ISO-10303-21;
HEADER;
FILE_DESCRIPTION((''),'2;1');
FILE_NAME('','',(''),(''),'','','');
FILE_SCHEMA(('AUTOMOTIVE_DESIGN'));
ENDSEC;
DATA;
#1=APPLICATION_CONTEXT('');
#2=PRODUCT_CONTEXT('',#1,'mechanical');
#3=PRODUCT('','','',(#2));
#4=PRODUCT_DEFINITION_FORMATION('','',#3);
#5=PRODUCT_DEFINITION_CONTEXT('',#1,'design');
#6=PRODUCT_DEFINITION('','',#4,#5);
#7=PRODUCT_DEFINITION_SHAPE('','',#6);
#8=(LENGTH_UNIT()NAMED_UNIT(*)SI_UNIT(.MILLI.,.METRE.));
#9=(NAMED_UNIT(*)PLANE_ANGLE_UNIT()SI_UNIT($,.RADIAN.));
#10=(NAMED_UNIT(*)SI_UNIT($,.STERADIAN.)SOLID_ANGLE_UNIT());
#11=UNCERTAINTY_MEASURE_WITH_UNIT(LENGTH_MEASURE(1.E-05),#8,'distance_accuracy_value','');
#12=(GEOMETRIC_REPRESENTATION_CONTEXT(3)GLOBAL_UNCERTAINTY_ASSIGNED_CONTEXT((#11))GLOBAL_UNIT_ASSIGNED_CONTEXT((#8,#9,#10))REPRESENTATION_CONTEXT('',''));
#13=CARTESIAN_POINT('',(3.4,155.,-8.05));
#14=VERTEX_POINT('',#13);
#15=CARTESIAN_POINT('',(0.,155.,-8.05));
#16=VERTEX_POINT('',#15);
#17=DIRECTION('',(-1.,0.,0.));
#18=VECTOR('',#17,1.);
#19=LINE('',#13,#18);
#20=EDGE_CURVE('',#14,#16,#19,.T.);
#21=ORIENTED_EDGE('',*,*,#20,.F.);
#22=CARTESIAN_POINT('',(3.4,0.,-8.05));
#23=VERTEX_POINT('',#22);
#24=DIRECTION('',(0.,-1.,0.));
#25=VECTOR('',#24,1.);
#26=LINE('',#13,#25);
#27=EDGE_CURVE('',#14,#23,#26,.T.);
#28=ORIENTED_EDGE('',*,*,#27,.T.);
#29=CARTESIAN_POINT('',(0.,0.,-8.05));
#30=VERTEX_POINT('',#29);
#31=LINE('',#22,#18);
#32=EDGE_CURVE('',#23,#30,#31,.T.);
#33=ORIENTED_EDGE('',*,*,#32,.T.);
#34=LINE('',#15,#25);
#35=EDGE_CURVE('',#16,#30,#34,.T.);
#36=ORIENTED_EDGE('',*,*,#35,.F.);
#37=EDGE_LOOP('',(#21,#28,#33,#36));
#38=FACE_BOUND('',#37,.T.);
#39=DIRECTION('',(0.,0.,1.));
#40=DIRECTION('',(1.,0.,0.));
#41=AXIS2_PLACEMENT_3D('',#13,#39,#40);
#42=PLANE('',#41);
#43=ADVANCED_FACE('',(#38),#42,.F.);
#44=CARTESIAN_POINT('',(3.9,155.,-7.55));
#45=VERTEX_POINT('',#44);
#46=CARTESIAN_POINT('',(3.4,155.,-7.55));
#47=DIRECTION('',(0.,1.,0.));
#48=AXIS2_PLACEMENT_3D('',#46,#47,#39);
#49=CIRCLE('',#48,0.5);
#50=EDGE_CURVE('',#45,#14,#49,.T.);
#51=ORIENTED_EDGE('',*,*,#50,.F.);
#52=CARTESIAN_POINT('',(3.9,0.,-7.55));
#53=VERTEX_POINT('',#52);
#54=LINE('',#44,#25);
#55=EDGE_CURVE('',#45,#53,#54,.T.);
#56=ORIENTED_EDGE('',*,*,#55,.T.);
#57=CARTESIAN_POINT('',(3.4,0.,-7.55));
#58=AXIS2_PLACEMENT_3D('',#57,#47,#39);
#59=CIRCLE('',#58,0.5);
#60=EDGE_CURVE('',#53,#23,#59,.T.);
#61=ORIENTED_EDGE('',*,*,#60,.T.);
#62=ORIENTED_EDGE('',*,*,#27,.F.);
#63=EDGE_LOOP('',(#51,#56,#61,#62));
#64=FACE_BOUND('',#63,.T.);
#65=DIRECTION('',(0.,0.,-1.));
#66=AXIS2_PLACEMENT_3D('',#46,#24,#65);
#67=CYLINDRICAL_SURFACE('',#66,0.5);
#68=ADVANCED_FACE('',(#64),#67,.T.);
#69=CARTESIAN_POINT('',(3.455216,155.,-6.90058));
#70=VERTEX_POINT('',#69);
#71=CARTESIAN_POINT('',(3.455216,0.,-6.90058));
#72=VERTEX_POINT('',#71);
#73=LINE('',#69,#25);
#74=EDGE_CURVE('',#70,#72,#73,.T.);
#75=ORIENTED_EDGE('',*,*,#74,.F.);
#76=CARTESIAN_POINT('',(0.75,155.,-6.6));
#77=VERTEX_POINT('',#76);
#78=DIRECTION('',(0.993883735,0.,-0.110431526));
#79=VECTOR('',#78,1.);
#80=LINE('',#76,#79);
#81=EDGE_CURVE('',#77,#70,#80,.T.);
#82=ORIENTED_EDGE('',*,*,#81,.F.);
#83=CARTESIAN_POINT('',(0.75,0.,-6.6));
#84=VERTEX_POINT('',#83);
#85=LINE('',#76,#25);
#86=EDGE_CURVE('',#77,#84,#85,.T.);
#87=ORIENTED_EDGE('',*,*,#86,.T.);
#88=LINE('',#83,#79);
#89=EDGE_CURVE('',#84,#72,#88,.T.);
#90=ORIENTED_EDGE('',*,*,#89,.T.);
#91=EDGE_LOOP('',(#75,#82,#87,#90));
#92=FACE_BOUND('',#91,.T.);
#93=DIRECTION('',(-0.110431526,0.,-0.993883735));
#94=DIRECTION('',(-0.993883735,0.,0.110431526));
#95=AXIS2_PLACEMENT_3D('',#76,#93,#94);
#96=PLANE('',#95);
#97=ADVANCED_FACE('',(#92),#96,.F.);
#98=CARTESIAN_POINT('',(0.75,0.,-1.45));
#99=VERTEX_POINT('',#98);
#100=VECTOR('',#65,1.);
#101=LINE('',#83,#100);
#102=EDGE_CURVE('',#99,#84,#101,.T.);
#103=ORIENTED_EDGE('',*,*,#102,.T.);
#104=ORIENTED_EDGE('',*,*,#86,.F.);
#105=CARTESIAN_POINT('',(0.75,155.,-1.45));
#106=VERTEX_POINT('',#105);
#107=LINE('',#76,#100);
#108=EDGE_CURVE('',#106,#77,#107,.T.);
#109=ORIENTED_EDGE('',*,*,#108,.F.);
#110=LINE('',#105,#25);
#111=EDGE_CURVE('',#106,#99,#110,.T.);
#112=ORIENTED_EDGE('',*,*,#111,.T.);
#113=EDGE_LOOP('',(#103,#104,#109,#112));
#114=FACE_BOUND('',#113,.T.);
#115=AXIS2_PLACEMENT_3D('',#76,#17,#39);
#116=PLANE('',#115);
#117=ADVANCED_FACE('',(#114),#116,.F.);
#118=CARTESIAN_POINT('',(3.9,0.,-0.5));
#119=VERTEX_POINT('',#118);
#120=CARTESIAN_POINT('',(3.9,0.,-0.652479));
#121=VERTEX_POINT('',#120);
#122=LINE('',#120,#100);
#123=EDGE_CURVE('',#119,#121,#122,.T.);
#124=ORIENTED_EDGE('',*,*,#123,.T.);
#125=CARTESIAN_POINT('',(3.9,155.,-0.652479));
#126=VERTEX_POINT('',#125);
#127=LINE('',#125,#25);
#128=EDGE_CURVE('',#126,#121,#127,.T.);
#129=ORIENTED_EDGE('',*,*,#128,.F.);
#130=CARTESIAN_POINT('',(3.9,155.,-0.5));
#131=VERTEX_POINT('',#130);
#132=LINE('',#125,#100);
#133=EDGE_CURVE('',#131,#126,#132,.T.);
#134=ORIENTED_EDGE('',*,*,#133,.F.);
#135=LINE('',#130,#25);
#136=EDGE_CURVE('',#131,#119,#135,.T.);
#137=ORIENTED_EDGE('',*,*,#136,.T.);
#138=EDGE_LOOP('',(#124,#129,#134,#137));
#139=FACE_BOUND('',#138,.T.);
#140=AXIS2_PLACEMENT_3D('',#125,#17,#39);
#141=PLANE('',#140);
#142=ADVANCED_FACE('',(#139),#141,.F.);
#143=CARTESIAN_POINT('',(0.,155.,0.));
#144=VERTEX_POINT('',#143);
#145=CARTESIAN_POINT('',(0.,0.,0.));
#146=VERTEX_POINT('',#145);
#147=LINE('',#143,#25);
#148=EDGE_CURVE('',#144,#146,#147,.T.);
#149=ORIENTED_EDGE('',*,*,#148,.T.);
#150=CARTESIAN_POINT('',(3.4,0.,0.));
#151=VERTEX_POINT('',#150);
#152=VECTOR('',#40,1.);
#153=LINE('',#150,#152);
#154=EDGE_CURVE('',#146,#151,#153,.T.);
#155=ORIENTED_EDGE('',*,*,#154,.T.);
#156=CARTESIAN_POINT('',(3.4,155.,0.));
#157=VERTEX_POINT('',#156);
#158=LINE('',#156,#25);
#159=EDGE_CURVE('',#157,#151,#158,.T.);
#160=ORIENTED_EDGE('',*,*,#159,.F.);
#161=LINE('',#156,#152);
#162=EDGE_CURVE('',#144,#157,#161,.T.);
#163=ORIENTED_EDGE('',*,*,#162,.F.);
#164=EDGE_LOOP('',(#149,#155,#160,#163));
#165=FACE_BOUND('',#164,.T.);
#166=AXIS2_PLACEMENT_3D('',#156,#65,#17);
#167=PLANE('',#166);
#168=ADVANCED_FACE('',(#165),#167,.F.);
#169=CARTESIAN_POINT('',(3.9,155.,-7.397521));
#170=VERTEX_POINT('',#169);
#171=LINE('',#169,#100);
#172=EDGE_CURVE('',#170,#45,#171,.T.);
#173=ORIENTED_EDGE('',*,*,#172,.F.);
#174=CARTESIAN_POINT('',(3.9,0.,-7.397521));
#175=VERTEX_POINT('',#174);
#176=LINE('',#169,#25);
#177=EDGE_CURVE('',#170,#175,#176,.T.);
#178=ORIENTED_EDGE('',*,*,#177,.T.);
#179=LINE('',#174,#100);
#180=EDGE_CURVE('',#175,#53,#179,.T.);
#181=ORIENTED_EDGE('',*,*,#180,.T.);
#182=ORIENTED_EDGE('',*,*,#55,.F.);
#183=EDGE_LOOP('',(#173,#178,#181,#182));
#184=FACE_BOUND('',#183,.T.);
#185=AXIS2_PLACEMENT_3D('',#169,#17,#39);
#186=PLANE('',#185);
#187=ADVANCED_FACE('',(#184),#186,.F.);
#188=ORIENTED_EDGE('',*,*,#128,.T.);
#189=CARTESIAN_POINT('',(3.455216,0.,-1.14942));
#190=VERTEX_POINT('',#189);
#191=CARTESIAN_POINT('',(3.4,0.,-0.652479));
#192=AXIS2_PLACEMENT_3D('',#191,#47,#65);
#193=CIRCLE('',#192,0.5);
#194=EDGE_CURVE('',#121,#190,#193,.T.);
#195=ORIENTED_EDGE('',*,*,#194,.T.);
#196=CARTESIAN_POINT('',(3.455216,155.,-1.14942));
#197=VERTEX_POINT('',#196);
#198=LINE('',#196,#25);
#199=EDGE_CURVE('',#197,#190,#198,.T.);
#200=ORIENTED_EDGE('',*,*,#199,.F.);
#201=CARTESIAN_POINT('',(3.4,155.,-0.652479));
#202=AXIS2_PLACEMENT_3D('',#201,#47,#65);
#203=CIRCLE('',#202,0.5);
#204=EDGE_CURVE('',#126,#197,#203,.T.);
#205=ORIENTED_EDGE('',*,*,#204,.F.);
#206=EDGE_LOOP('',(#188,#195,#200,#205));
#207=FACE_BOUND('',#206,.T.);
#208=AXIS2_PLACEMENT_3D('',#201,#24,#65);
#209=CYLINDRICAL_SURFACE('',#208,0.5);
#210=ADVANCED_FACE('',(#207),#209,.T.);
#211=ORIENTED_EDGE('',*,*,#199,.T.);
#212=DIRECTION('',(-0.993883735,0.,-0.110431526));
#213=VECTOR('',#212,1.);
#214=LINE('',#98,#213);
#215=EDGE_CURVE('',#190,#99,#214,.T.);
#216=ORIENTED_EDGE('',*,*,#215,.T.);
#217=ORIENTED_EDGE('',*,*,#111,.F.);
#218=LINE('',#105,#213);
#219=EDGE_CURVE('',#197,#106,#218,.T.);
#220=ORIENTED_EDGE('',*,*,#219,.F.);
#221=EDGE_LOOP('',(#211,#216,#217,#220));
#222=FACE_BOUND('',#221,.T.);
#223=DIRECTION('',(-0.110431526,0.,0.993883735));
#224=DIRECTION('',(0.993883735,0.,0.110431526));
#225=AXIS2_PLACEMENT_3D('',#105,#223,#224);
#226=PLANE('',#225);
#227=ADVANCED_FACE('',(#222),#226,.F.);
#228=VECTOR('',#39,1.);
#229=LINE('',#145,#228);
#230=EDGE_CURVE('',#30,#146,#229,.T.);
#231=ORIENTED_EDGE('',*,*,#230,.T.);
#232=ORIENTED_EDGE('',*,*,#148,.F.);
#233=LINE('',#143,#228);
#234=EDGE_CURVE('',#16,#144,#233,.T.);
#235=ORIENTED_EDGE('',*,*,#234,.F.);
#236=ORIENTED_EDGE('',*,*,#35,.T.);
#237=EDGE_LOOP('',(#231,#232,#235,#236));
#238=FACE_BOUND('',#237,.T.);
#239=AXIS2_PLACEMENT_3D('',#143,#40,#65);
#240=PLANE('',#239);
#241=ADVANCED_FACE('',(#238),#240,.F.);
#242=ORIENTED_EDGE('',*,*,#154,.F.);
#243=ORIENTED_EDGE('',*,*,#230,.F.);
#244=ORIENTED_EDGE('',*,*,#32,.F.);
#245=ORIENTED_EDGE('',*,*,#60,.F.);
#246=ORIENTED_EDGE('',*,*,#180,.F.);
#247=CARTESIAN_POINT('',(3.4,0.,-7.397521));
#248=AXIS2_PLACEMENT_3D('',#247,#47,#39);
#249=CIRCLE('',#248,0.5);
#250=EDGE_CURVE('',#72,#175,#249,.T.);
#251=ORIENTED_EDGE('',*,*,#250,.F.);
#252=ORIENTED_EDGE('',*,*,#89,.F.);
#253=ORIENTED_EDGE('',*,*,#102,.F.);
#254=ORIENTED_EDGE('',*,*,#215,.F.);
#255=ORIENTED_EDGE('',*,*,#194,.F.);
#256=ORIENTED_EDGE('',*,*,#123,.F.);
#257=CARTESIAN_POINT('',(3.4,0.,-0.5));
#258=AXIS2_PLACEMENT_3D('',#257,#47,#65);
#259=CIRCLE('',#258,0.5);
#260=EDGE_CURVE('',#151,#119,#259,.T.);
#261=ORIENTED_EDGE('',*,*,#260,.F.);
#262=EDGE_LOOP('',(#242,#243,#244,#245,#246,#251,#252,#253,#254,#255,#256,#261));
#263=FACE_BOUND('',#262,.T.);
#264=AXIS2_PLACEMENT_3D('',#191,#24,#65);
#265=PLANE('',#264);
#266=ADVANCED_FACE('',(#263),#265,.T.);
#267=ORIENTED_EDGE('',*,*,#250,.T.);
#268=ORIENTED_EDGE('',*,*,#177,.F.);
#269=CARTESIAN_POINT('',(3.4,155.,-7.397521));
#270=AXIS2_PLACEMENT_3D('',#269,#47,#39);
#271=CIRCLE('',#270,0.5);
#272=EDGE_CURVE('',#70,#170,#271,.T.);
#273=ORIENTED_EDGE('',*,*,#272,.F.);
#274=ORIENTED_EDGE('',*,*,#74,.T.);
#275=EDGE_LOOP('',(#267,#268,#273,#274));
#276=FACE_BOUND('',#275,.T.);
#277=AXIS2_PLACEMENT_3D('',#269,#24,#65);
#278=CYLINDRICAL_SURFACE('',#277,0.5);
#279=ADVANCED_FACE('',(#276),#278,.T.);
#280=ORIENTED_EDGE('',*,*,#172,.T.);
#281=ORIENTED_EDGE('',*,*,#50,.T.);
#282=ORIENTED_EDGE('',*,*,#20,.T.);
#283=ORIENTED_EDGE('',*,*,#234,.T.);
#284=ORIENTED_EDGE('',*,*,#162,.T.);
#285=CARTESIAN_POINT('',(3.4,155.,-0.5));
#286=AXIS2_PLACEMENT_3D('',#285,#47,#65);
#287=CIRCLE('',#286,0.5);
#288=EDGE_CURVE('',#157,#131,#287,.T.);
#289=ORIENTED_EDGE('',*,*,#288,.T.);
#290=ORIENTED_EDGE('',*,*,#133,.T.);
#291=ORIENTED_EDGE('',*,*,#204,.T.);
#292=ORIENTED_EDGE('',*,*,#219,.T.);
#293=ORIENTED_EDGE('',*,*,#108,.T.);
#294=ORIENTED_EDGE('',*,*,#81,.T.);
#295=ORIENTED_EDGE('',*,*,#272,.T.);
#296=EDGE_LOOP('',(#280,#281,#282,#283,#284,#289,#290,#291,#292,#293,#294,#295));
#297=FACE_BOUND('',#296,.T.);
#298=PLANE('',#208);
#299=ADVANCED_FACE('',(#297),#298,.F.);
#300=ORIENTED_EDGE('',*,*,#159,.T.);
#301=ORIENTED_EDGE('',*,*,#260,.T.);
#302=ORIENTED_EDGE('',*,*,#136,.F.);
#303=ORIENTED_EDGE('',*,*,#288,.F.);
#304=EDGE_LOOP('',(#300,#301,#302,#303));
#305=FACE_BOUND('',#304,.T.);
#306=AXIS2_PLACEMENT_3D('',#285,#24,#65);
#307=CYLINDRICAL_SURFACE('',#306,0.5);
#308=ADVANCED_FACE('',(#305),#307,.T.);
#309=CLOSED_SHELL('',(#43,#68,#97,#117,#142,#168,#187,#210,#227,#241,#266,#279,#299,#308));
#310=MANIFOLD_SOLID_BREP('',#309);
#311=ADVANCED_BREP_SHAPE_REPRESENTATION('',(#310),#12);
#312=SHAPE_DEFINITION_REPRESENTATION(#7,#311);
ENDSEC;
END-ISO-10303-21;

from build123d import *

# Parameters (mm, degrees)
BOSS_EXTRU_1_DEPTH = 155


with BuildPart() as part:
    # Esquisse1 → Boss.-Extru.1 (new body)
    with BuildSketch(Plane(origin=(0, 0, 0), x_dir=(1, 0, 0), z_dir=(0, 1, 0))):
        with BuildLine():
            Line((0.75, 6.6), (3.455215763, 6.900579529))
            ThreePointArc((3.455215763, 6.900579529), (3.772564009, 7.064060665), (3.9, 7.397521397))
            Line((3.9, 7.397521397), (3.9, 7.55))
            ThreePointArc((3.9, 7.55), (3.753553391, 7.903553391), (3.4, 8.05))
            Line((3.4, 8.05), (0, 8.05))
            Line((0, 8.05), (0, 0))
            Line((0, 0), (3.4, 0))
            ThreePointArc((3.4, 0), (3.753553391, 0.146446609), (3.9, 0.5))
            Line((3.9, 0.5), (3.9, 0.652478603))
            ThreePointArc((3.9, 0.652478603), (3.772564009, 0.985939335), (3.455215763, 1.149420471))
            Line((3.455215763, 1.149420471), (0.75, 1.45))
            Line((0.75, 1.45), (0.75, 6.6))
        make_face()
    extrude(amount=BOSS_EXTRU_1_DEPTH)


solid = part.part
